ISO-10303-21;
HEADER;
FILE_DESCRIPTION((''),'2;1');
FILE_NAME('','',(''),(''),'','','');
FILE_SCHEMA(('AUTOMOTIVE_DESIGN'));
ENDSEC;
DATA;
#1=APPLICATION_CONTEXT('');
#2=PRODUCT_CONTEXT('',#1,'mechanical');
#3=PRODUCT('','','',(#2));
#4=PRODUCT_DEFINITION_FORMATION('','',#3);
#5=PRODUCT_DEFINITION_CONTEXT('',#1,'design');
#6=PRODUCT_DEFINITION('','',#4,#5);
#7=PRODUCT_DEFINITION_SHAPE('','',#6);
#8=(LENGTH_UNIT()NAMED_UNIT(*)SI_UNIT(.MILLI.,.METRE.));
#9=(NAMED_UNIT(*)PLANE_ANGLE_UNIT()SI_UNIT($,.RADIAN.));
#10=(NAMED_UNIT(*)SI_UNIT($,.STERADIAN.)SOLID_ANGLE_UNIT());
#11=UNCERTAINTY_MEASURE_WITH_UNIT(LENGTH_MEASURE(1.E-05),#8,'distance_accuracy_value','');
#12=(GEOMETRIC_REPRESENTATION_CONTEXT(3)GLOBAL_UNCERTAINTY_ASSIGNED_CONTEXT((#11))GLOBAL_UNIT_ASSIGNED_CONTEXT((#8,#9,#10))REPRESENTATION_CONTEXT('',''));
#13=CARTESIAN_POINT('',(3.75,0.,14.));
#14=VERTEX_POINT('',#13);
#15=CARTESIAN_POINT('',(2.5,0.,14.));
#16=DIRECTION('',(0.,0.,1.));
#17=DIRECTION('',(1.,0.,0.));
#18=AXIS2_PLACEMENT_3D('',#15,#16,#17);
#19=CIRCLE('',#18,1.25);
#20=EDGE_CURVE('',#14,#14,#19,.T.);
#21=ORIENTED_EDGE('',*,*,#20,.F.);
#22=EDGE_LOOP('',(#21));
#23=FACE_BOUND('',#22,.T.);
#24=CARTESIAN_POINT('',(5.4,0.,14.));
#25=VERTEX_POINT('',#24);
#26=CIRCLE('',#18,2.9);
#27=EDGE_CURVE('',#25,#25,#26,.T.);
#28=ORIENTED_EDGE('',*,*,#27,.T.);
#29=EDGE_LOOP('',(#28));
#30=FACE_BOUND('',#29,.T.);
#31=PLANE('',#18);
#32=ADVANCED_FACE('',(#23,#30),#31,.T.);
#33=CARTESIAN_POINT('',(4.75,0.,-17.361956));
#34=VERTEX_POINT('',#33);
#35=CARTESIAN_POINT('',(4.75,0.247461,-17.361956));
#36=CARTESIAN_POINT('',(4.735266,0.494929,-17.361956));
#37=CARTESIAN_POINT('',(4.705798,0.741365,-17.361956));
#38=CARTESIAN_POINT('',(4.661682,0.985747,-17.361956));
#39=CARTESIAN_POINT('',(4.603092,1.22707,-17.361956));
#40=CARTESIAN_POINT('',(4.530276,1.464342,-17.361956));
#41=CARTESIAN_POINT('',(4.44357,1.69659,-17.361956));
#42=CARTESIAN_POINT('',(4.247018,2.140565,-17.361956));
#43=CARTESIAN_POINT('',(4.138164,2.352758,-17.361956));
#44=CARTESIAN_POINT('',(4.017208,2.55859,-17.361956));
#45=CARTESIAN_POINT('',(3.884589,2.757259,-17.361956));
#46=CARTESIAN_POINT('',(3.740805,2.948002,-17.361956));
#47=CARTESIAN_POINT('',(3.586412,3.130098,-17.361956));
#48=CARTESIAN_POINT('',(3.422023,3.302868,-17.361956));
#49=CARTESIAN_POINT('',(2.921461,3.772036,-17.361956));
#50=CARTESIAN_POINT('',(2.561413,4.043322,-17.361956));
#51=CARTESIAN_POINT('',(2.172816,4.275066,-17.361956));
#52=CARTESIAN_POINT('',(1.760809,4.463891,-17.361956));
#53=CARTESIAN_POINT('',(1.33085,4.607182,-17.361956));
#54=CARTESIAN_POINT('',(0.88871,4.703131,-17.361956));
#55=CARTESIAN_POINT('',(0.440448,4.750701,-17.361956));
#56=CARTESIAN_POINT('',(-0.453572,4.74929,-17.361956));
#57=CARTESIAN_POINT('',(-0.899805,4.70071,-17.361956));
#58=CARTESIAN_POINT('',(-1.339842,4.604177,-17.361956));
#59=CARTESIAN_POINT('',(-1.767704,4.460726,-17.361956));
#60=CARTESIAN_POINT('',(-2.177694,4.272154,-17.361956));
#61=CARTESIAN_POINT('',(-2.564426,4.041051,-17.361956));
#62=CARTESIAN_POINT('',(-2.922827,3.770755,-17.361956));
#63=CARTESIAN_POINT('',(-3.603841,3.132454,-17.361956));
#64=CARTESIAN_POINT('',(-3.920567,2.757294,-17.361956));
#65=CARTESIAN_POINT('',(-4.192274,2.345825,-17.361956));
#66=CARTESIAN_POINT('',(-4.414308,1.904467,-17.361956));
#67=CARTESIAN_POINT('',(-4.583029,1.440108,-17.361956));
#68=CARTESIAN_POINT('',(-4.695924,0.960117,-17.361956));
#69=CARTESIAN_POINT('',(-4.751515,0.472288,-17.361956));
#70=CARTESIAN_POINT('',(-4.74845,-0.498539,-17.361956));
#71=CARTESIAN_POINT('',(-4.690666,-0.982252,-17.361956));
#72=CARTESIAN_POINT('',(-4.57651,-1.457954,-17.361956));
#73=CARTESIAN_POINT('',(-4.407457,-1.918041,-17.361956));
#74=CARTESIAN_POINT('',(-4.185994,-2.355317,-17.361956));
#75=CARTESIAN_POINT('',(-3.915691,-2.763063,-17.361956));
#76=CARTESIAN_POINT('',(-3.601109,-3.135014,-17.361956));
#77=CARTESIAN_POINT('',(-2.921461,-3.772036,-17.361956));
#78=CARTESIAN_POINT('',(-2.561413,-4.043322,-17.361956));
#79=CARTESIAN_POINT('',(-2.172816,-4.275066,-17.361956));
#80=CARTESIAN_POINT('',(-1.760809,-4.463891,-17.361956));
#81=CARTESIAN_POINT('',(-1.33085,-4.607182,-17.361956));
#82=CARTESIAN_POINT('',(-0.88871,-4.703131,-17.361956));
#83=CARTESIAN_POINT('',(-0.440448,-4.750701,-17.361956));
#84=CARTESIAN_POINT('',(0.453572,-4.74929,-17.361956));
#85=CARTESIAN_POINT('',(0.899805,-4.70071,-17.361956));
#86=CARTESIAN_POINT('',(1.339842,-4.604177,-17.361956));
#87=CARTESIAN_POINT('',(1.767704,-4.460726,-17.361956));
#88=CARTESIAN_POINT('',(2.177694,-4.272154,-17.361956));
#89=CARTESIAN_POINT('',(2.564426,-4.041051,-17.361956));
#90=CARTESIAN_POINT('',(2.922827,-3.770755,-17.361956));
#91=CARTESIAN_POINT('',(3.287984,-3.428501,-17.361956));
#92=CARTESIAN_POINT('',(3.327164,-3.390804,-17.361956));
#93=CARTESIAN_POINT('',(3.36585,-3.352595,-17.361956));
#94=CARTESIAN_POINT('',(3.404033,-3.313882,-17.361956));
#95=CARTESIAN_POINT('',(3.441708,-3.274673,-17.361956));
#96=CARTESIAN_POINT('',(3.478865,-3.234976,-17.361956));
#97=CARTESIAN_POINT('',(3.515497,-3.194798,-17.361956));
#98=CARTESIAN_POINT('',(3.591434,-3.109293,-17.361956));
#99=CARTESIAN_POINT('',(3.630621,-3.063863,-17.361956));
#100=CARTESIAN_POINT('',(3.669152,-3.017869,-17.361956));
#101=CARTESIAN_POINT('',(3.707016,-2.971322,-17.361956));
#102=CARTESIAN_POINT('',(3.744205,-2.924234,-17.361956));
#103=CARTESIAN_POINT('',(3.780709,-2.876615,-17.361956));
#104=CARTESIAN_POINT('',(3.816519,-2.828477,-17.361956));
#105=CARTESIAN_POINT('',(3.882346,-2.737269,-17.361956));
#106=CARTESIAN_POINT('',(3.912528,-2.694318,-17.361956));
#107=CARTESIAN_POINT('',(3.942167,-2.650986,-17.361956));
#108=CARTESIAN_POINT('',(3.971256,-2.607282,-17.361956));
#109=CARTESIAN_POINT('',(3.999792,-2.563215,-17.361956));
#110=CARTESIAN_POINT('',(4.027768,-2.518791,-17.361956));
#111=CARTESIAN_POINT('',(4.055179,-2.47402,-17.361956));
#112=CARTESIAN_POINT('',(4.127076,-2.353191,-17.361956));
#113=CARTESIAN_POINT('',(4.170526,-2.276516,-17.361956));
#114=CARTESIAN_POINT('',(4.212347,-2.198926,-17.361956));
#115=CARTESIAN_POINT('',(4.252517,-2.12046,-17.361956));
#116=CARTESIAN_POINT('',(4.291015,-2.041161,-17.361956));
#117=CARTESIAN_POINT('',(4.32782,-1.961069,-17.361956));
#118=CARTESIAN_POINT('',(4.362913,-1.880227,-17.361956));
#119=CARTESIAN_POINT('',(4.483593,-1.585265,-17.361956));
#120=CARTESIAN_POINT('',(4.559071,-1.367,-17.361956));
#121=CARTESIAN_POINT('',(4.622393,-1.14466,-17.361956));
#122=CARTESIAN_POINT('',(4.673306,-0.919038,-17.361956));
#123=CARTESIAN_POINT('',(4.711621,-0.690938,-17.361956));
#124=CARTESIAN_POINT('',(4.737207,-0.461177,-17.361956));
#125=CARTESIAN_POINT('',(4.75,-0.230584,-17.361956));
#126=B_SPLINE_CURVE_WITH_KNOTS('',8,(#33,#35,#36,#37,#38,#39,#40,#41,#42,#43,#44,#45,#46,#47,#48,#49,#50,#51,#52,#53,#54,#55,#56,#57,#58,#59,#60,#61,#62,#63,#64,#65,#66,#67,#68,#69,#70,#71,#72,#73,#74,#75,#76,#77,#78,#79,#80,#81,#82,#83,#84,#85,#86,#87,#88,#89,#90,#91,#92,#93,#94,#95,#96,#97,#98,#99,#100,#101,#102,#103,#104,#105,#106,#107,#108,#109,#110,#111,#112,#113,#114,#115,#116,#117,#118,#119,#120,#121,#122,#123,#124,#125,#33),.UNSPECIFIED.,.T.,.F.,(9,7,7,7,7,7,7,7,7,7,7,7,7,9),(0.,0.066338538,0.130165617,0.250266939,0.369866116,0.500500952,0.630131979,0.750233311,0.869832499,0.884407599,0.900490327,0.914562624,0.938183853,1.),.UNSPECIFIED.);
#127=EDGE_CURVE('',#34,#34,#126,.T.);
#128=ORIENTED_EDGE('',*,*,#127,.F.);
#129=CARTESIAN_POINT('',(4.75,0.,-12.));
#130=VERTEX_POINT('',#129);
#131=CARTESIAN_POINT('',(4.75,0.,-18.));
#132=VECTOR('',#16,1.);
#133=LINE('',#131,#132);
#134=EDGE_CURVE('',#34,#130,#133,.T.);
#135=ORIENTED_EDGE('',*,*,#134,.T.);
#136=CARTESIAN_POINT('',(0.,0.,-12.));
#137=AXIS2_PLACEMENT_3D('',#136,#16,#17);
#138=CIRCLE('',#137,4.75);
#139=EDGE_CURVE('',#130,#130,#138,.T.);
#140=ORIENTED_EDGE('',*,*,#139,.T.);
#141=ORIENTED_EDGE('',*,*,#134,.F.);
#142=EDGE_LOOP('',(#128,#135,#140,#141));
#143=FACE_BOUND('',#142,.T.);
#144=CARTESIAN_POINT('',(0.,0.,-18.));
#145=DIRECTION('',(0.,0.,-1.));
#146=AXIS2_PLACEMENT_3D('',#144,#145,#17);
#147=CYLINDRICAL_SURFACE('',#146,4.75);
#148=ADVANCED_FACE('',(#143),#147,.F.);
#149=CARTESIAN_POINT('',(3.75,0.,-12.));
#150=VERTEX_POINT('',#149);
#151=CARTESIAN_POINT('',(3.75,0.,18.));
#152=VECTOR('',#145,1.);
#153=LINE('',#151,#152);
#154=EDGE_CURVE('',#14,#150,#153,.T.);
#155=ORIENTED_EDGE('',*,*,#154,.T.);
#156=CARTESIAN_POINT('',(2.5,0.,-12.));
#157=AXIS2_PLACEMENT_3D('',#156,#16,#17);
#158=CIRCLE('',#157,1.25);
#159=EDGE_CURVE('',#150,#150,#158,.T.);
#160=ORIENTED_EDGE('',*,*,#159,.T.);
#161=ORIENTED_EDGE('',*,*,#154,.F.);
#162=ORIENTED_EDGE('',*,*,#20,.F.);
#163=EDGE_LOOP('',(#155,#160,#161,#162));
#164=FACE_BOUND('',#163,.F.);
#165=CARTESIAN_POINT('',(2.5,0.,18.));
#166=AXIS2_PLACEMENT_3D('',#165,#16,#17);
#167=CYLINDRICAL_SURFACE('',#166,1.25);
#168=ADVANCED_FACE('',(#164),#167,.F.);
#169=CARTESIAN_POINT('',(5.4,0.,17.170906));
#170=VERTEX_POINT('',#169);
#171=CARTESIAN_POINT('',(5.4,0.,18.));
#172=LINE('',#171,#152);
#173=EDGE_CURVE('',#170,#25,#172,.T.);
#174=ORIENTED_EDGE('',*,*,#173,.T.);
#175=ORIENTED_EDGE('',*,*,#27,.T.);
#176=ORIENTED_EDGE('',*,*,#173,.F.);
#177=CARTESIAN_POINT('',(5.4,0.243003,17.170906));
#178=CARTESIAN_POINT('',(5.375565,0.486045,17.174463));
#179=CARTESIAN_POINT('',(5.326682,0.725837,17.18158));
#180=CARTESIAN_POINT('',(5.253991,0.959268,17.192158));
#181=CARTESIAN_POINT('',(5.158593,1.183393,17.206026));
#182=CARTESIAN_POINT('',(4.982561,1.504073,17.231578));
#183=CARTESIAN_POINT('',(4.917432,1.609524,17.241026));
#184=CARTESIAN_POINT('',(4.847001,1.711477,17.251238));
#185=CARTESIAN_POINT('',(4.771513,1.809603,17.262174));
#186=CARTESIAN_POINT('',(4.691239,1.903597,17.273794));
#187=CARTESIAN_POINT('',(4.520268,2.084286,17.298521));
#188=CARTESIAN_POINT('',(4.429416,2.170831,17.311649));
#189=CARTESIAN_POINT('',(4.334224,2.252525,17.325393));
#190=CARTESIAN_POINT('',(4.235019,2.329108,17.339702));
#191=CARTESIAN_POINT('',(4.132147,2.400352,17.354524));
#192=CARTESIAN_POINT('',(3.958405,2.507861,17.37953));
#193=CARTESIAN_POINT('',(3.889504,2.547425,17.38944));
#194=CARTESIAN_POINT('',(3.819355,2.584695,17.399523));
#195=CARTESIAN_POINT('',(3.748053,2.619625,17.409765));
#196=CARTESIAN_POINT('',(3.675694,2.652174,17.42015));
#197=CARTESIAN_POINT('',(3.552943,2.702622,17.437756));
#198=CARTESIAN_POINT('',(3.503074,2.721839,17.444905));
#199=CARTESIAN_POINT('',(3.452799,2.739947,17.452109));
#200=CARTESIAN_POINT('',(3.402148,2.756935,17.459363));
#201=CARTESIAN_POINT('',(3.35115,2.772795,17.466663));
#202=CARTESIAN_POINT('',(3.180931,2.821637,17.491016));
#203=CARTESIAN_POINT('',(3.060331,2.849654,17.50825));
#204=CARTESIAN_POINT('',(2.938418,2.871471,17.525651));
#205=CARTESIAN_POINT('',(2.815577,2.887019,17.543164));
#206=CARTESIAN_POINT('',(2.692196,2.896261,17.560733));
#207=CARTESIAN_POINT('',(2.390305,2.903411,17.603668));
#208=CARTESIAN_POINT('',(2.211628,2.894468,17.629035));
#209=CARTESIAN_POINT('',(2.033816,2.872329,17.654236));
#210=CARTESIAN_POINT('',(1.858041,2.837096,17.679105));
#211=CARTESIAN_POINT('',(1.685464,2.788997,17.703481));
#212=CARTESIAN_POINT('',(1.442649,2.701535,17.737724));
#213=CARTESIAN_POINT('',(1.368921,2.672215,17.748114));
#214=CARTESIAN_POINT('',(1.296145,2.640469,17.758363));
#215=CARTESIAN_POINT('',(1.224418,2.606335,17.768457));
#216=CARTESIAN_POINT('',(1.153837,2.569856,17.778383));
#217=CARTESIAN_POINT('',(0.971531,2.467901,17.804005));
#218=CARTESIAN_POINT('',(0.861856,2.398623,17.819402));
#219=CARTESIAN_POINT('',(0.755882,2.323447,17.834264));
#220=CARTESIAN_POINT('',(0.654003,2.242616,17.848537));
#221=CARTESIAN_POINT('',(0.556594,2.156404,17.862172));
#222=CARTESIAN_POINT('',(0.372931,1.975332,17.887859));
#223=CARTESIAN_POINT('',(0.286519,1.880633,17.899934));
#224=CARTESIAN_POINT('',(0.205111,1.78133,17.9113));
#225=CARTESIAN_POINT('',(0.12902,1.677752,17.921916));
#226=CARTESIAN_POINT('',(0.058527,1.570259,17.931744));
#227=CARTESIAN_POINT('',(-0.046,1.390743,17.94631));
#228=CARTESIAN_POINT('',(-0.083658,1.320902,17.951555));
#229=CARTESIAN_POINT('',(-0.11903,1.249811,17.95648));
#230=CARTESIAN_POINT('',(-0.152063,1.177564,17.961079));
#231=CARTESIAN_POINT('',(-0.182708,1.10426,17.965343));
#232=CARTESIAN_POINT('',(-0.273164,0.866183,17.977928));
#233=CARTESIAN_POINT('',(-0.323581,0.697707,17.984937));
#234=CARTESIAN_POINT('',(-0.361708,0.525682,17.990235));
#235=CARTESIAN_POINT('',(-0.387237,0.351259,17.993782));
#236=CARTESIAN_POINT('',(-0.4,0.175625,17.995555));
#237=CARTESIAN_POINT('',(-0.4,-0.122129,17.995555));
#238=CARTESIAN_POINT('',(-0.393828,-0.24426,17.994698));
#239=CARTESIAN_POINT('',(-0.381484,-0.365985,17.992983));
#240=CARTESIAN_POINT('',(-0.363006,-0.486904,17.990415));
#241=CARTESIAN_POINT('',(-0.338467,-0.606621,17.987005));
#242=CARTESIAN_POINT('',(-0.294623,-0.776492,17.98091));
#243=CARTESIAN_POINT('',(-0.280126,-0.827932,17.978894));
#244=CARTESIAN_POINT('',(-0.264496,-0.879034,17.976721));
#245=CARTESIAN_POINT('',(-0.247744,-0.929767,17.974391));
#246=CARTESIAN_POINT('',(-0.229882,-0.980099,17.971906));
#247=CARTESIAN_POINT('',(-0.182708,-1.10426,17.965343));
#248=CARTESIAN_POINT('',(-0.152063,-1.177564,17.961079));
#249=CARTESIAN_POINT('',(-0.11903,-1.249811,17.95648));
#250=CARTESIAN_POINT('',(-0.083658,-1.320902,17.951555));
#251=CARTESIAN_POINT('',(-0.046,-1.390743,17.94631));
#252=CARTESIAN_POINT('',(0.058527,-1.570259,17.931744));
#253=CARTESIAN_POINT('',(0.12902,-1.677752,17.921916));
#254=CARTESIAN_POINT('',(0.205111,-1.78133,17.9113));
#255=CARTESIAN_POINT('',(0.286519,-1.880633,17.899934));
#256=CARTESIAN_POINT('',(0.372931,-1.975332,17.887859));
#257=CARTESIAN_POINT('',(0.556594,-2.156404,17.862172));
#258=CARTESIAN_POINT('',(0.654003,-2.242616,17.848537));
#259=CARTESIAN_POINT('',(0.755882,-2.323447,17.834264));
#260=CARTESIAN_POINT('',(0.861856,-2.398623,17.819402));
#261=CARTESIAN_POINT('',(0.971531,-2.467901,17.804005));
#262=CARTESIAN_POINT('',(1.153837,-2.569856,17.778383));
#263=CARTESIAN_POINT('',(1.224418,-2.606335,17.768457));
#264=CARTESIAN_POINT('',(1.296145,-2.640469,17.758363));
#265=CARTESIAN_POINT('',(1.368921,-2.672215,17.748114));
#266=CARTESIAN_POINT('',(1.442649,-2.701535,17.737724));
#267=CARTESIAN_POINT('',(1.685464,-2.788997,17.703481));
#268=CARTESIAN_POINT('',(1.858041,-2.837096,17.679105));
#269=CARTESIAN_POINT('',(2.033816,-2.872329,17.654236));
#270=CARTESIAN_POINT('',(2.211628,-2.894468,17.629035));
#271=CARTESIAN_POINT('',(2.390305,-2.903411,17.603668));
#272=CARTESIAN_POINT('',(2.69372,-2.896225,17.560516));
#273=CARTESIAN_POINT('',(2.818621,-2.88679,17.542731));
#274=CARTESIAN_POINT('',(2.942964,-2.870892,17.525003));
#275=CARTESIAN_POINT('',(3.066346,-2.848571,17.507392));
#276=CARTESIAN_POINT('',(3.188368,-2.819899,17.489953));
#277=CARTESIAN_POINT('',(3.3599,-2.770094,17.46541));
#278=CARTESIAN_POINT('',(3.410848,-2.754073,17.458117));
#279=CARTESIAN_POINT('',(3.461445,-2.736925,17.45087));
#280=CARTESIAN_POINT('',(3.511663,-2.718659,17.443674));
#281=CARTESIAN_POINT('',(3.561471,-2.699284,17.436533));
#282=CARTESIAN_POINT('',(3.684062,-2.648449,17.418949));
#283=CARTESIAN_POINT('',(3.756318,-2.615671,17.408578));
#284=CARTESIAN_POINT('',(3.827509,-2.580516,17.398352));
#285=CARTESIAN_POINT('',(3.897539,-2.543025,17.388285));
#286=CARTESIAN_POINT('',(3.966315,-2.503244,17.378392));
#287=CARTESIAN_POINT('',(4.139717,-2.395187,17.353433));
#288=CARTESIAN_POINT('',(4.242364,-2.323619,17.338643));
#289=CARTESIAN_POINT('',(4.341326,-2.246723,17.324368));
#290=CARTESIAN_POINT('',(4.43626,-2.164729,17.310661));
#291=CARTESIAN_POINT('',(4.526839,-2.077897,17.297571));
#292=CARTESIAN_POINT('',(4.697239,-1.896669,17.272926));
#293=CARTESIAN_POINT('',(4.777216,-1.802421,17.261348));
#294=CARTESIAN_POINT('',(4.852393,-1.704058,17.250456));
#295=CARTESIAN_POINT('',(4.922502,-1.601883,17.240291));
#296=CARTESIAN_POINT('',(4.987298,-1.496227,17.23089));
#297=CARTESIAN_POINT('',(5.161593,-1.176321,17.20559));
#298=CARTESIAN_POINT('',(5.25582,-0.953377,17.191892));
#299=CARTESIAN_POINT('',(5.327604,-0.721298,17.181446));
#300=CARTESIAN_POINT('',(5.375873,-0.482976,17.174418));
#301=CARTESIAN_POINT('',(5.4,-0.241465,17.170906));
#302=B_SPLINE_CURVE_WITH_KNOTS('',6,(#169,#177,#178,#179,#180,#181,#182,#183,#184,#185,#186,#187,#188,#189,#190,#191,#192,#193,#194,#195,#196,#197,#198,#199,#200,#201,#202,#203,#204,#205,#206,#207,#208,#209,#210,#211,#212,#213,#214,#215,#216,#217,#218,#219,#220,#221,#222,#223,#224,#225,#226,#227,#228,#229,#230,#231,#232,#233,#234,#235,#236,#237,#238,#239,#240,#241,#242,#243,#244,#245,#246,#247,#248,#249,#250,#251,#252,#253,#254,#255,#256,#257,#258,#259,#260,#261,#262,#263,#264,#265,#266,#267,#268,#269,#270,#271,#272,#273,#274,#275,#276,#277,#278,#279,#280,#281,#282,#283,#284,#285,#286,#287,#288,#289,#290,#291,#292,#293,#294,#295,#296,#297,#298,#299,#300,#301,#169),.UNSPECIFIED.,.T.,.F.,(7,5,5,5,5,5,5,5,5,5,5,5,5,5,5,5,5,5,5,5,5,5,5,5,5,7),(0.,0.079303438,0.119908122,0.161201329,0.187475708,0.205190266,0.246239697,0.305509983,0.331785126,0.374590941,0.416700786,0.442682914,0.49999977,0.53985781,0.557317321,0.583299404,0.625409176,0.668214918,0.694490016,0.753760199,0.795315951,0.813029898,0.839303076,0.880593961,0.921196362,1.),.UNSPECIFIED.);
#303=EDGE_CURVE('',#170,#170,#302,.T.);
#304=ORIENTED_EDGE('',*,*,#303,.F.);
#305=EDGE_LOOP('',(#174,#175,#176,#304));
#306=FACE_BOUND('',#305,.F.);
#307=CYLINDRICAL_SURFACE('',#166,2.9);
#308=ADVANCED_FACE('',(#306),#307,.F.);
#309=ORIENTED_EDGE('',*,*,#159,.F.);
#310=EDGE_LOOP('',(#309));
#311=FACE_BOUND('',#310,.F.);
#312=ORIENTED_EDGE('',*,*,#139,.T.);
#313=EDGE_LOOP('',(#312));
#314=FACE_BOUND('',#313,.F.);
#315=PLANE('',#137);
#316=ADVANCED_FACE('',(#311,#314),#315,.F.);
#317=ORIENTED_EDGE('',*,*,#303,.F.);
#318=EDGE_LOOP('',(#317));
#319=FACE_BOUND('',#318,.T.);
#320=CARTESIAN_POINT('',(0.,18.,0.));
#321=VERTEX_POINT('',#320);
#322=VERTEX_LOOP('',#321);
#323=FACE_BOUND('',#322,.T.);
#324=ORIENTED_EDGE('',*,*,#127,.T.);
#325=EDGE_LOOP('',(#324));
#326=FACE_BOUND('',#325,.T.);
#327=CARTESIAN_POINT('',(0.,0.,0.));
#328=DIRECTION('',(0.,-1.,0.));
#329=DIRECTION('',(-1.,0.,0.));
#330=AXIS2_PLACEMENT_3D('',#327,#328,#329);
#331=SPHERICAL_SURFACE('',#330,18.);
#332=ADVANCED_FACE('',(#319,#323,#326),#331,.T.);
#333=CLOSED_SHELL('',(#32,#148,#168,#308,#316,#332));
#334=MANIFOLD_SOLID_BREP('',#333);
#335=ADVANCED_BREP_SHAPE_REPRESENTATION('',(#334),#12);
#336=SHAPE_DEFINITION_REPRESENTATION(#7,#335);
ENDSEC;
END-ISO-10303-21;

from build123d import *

# Parameters (mm, degrees)
F8_R      = 1.25
F9_DEPTH  = 36.001
F10_R     = 4.75
F10_R_2   = 1.25
F11_DEPTH = 6
F13_R     = 2.9
F14_DEPTH = 4


with BuildPart() as f2:
    # F0 (on Top) → F2 (revolve)
    with BuildSketch(Plane.XY):
        with BuildLine():
            Line((0, -18), (0, 18))
            ThreePointArc((0, 18), (-18, 0), (0, -18))
        make_face()
    revolve(axis=Axis((0, -0.836778, 0), (0, -1, 0)))

    # F8 (on offset) → F9 (cut, through all)
    with BuildSketch(Plane.XY.offset(18)):
        with Locations((2.5, 0)):
            Circle(F8_R)
    extrude(amount=-F9_DEPTH, mode=Mode.SUBTRACT)

    # F10 (on offset) → F11 (cut)
    with BuildSketch(Plane.XY.offset(-18)):
        Circle(F10_R)
        with Locations((2.5, 0)):
            Circle(F10_R_2, mode=Mode.SUBTRACT)
    extrude(amount=F11_DEPTH, mode=Mode.SUBTRACT)

    # F13 (on offset) → F14 (cut)
    with BuildSketch(Plane.XY.offset(18)):
        with Locations((2.5, 0)):
            Circle(F13_R)
    extrude(amount=-F14_DEPTH, mode=Mode.SUBTRACT)


solid = f2.part
